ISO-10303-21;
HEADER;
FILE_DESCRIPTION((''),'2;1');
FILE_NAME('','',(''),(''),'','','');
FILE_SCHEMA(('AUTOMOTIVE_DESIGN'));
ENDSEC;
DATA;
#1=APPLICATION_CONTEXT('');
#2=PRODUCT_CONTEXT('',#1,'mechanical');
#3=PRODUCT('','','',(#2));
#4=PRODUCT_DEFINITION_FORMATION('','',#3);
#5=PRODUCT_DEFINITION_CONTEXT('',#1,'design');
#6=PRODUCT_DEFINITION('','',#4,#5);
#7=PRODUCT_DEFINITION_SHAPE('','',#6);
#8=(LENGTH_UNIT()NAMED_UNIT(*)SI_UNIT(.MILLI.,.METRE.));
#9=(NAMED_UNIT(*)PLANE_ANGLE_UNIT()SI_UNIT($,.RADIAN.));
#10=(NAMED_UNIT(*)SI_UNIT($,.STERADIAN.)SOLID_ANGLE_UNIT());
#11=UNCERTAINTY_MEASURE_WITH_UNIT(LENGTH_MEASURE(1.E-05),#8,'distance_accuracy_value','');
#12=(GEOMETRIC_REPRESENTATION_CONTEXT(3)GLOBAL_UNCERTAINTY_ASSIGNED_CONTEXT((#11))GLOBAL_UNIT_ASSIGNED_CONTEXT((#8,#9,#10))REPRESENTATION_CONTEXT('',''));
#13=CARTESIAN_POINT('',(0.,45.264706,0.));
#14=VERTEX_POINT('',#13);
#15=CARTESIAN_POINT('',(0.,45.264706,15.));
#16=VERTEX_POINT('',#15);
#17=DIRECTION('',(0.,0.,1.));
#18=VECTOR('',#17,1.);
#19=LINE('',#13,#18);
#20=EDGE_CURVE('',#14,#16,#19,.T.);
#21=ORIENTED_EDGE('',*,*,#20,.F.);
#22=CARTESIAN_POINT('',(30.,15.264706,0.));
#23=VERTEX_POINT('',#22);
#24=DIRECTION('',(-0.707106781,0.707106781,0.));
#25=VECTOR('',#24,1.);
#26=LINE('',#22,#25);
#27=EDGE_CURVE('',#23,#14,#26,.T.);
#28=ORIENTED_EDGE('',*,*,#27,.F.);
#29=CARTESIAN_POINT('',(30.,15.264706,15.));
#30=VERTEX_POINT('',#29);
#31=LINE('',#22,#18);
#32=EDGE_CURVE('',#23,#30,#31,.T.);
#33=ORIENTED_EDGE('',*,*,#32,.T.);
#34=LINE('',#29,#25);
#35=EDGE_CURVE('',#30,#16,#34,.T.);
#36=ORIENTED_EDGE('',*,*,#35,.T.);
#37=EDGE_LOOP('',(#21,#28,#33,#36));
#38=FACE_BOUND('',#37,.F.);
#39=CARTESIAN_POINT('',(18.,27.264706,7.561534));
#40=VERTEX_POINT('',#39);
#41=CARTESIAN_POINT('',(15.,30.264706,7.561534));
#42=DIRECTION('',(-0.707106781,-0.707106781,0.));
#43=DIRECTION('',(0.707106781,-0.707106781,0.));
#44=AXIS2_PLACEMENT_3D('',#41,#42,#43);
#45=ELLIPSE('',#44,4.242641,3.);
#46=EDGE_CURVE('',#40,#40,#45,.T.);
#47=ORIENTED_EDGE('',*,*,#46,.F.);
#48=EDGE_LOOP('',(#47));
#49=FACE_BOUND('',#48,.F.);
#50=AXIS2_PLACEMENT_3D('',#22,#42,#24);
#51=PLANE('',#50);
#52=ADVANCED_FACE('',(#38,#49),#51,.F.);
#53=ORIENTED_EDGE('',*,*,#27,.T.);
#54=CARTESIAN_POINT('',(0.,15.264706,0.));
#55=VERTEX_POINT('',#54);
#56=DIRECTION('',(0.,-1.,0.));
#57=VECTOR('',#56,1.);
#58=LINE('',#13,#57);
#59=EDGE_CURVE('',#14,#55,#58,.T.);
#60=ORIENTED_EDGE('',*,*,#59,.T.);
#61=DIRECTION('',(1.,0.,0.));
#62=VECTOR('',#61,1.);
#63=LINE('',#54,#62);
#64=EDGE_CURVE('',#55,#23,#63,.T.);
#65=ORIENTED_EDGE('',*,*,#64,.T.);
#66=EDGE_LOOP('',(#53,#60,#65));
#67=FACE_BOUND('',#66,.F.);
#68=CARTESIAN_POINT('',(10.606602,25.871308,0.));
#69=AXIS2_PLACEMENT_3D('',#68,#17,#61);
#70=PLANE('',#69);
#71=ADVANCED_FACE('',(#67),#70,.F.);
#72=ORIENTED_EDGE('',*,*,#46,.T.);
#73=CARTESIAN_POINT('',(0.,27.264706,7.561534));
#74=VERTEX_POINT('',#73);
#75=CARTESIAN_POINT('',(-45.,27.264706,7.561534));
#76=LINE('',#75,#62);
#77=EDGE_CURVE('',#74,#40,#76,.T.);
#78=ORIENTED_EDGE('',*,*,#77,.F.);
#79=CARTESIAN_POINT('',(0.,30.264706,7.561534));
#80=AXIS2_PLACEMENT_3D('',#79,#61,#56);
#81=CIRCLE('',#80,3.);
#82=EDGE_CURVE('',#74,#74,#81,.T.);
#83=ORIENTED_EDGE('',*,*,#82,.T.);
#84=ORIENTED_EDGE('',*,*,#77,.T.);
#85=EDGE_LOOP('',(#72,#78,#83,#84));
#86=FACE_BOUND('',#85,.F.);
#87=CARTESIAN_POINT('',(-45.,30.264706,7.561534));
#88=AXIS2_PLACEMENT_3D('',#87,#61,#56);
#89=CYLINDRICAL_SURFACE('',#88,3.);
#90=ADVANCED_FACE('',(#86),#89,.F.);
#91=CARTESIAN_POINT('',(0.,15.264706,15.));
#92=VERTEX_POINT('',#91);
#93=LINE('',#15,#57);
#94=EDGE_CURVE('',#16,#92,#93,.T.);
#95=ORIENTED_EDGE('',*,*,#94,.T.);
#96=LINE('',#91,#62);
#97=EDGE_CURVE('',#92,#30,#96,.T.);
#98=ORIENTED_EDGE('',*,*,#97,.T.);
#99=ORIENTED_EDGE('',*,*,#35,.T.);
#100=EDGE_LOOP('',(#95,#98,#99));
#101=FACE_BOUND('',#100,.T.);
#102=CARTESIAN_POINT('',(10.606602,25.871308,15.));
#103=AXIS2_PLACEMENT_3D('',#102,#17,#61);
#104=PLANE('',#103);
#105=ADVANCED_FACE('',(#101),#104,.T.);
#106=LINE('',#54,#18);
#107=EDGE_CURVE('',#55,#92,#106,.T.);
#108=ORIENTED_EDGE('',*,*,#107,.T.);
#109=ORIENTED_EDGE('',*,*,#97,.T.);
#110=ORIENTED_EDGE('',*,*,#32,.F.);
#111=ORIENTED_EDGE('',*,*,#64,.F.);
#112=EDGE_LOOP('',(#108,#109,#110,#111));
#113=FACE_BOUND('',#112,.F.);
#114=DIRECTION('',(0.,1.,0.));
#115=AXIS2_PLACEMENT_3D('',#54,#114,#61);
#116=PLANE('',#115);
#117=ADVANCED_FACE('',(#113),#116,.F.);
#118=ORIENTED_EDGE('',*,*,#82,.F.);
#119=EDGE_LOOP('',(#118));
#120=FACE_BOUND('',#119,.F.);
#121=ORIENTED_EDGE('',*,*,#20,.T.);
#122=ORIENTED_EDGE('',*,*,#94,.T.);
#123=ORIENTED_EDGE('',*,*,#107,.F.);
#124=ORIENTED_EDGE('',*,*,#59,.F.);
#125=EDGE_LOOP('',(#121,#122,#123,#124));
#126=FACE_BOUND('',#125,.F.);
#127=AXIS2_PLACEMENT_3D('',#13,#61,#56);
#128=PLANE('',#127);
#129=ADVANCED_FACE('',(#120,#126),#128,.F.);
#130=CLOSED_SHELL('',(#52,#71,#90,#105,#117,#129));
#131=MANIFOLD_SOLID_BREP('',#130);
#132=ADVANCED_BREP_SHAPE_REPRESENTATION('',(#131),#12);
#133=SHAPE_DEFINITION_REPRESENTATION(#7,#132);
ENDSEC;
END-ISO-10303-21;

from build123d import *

# Parameters (mm, degrees)
F1_DEPTH = 15
F3_D     = 6


with BuildPart() as f1:
    # F0 (on Top) → F1 (new body)
    with BuildSketch(Plane.XY):
        Polygon((30, 15.2647063509), (0, 45.2647063509), (0, 15.2647063509), align=None)
    extrude(amount=F1_DEPTH)

    # F3 (through all)
    with Locations(Plane(origin=(0, 0, 0), x_dir=(0, 1, 0), z_dir=(-1, 0, 0))):
        with Locations((30.2647063509, -7.5615341775)):
            Hole(F3_D / 2)


solid = f1.part
